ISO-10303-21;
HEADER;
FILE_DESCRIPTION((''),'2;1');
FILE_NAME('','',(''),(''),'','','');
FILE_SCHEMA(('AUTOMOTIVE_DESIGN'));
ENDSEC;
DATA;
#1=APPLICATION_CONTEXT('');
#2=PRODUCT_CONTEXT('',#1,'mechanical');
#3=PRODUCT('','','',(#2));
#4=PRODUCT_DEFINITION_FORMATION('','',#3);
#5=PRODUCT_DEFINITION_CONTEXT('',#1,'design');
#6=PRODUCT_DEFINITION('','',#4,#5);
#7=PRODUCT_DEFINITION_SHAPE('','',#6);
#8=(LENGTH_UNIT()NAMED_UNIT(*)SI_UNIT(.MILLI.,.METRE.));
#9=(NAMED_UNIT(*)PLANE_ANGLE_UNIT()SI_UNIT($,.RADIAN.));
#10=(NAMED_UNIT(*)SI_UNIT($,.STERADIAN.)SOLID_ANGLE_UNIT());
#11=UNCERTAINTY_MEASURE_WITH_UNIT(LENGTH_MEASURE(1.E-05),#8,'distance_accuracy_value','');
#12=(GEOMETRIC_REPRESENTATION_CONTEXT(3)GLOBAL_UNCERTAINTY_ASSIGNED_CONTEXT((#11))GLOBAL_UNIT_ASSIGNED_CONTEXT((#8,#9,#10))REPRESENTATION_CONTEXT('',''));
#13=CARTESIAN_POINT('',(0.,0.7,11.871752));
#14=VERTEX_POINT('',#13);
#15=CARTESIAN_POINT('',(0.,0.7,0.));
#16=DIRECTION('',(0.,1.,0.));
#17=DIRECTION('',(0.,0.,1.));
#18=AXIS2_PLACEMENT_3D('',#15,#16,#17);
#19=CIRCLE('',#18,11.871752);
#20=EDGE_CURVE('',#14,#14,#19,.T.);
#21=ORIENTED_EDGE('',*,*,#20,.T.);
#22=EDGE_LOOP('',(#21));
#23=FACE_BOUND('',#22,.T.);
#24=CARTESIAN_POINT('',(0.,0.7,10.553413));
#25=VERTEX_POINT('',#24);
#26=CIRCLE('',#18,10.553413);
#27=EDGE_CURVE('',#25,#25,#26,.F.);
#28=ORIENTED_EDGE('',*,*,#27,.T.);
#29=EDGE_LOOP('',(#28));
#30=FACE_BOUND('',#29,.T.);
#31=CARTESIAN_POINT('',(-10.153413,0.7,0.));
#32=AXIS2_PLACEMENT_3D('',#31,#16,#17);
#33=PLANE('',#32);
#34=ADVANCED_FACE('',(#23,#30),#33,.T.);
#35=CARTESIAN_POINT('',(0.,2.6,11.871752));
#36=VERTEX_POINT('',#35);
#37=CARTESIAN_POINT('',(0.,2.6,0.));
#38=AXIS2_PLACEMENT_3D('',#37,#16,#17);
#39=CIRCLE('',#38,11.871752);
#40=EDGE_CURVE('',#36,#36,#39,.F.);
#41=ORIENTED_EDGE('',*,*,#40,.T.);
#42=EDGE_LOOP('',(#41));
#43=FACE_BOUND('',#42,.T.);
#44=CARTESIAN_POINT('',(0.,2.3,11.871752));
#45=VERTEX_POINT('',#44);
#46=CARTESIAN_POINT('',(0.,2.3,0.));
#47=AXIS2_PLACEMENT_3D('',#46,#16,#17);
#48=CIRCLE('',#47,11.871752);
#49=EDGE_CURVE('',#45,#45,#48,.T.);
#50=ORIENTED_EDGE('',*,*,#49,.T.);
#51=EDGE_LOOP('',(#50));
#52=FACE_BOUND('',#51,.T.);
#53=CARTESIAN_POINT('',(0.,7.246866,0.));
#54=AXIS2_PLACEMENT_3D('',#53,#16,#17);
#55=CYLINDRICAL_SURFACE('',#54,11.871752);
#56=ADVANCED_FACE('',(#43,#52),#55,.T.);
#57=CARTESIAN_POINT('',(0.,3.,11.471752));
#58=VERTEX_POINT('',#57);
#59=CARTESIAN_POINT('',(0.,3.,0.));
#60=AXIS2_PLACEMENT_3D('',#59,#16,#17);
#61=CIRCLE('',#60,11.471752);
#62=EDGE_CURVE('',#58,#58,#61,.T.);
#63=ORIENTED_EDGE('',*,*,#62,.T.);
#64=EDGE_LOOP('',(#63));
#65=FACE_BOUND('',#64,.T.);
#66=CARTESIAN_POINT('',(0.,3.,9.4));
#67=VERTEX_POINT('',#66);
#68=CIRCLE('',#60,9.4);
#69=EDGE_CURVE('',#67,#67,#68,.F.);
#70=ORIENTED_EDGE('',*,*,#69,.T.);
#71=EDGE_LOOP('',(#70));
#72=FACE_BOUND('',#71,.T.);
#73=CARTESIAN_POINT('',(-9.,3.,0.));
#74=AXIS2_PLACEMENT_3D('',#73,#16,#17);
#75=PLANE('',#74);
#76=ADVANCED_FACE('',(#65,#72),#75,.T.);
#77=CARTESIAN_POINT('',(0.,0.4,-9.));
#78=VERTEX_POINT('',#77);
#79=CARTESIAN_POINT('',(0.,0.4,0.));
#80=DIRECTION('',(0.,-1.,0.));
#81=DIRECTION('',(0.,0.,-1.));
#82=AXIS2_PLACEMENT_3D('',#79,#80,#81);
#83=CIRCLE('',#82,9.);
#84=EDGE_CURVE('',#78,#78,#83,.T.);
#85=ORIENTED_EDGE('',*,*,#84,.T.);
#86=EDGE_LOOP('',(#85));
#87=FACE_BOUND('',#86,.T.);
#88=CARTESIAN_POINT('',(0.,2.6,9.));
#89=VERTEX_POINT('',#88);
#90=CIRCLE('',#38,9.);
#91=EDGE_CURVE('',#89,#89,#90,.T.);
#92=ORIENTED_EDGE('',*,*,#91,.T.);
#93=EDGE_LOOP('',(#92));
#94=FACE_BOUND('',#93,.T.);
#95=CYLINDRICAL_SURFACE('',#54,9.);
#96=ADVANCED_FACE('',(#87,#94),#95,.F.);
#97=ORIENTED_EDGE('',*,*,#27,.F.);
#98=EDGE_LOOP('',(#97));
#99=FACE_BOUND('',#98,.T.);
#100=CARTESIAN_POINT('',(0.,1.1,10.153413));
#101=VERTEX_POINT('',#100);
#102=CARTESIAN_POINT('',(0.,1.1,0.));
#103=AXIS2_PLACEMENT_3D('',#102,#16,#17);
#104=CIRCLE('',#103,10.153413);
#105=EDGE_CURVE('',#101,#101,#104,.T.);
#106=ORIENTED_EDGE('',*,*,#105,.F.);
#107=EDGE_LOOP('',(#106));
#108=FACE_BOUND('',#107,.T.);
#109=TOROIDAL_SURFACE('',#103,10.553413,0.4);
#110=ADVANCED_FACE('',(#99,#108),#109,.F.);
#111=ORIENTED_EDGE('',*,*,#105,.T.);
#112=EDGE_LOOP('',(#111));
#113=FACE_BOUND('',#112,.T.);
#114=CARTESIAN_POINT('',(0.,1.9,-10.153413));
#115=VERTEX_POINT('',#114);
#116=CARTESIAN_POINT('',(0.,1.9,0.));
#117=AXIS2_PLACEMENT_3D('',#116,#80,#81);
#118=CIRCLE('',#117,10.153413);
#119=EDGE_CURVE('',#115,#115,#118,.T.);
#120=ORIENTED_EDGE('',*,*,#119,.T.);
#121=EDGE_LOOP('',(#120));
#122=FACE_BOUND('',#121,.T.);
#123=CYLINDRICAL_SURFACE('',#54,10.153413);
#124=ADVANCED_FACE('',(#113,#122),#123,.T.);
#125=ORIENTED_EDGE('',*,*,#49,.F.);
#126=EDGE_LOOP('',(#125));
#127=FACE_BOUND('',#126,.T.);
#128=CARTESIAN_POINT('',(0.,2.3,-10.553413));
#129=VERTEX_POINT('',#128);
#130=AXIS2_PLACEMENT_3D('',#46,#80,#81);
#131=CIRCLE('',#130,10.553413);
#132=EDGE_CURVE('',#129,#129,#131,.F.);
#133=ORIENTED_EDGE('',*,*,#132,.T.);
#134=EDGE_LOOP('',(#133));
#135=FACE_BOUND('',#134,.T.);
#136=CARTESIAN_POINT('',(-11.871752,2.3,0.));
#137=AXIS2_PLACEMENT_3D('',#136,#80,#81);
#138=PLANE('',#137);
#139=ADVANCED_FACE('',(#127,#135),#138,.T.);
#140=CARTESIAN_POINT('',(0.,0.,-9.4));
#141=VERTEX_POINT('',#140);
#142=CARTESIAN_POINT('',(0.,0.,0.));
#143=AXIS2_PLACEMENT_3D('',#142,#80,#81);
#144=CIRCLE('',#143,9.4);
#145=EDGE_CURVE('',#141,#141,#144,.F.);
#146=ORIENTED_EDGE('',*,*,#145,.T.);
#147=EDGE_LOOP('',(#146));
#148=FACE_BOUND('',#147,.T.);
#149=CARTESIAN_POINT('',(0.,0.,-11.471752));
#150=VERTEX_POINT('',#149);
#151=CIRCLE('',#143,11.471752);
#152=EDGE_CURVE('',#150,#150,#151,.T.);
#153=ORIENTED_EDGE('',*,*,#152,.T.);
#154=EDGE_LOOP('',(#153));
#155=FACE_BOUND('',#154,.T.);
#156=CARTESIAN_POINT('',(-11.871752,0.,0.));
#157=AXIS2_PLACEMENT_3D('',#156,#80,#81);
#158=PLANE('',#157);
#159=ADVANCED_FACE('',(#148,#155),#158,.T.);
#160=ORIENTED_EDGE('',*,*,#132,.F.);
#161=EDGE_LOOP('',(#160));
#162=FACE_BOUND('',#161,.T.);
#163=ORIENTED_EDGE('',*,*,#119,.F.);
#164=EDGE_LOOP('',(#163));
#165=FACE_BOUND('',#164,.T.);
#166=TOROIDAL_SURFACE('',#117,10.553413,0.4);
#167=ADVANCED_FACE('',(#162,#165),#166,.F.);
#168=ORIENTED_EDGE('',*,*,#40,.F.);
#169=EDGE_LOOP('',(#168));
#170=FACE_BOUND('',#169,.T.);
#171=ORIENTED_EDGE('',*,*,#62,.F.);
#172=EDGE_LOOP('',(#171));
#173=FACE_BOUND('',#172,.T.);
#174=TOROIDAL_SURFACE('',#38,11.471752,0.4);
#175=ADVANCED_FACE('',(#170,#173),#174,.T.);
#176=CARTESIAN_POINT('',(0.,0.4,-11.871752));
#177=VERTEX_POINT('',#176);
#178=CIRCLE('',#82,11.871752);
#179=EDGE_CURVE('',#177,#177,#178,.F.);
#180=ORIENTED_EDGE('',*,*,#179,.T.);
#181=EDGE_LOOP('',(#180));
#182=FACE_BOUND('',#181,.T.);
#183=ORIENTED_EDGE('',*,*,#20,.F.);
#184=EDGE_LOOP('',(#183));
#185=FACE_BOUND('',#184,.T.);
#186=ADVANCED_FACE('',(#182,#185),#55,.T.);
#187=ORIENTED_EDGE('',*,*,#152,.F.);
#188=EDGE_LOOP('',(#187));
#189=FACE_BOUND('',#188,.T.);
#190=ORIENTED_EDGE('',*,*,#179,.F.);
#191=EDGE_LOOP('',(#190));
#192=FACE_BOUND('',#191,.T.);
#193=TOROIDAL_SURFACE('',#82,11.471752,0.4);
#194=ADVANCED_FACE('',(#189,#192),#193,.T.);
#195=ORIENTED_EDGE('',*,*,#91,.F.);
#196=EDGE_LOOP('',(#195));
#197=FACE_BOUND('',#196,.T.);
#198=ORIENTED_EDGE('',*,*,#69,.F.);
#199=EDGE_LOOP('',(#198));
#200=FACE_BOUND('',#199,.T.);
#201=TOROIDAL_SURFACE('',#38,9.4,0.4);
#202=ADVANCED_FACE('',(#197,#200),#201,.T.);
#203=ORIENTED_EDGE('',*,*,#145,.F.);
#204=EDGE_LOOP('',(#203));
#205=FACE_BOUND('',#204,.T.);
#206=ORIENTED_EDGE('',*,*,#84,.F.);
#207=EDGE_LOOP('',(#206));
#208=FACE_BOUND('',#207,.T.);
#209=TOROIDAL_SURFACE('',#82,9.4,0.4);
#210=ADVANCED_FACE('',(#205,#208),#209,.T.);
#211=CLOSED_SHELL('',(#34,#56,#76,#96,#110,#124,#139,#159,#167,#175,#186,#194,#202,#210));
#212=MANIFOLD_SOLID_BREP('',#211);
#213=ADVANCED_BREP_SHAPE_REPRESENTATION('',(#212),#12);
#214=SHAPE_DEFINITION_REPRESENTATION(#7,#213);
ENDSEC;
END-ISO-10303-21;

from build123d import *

# Parameters (mm, degrees)
FILLET1_R = 0.4


with BuildPart() as part:
    # Sketch1 → Revolve1 (revolve)
    with BuildSketch(Plane.XY, mode=Mode.PRIVATE) as revolve1_sk:
        Polygon((-9, 0), (-9, 3), (-11.87175241, 3), (-11.87175241, 2.3), (-10.153413472, 2.3), (-10.153413472, 0.7), (-11.87175241, 0.7), (-11.87175241, 0), align=None)
    revolve(revolve1_sk.sketch.rotate(Axis((0, 7.246866229, 0), (0, -1, 0)), 270), axis=Axis((0, 7.246866229, 0), (0, -1, 0)))

    # Fillet1
    fillet1_edges = [part.edges().sort_by_distance(p)[0] for p in [
        (0, 0, -11.87175241),
        (0, 0.7, -10.153413472),
        (0, 2.3, -10.153413472),
        (0, 3, -11.87175241),
        (0, 3, -9),
        (0, 0, -9),
    ]]
    fillet(fillet1_edges, radius=FILLET1_R)


solid = part.part
